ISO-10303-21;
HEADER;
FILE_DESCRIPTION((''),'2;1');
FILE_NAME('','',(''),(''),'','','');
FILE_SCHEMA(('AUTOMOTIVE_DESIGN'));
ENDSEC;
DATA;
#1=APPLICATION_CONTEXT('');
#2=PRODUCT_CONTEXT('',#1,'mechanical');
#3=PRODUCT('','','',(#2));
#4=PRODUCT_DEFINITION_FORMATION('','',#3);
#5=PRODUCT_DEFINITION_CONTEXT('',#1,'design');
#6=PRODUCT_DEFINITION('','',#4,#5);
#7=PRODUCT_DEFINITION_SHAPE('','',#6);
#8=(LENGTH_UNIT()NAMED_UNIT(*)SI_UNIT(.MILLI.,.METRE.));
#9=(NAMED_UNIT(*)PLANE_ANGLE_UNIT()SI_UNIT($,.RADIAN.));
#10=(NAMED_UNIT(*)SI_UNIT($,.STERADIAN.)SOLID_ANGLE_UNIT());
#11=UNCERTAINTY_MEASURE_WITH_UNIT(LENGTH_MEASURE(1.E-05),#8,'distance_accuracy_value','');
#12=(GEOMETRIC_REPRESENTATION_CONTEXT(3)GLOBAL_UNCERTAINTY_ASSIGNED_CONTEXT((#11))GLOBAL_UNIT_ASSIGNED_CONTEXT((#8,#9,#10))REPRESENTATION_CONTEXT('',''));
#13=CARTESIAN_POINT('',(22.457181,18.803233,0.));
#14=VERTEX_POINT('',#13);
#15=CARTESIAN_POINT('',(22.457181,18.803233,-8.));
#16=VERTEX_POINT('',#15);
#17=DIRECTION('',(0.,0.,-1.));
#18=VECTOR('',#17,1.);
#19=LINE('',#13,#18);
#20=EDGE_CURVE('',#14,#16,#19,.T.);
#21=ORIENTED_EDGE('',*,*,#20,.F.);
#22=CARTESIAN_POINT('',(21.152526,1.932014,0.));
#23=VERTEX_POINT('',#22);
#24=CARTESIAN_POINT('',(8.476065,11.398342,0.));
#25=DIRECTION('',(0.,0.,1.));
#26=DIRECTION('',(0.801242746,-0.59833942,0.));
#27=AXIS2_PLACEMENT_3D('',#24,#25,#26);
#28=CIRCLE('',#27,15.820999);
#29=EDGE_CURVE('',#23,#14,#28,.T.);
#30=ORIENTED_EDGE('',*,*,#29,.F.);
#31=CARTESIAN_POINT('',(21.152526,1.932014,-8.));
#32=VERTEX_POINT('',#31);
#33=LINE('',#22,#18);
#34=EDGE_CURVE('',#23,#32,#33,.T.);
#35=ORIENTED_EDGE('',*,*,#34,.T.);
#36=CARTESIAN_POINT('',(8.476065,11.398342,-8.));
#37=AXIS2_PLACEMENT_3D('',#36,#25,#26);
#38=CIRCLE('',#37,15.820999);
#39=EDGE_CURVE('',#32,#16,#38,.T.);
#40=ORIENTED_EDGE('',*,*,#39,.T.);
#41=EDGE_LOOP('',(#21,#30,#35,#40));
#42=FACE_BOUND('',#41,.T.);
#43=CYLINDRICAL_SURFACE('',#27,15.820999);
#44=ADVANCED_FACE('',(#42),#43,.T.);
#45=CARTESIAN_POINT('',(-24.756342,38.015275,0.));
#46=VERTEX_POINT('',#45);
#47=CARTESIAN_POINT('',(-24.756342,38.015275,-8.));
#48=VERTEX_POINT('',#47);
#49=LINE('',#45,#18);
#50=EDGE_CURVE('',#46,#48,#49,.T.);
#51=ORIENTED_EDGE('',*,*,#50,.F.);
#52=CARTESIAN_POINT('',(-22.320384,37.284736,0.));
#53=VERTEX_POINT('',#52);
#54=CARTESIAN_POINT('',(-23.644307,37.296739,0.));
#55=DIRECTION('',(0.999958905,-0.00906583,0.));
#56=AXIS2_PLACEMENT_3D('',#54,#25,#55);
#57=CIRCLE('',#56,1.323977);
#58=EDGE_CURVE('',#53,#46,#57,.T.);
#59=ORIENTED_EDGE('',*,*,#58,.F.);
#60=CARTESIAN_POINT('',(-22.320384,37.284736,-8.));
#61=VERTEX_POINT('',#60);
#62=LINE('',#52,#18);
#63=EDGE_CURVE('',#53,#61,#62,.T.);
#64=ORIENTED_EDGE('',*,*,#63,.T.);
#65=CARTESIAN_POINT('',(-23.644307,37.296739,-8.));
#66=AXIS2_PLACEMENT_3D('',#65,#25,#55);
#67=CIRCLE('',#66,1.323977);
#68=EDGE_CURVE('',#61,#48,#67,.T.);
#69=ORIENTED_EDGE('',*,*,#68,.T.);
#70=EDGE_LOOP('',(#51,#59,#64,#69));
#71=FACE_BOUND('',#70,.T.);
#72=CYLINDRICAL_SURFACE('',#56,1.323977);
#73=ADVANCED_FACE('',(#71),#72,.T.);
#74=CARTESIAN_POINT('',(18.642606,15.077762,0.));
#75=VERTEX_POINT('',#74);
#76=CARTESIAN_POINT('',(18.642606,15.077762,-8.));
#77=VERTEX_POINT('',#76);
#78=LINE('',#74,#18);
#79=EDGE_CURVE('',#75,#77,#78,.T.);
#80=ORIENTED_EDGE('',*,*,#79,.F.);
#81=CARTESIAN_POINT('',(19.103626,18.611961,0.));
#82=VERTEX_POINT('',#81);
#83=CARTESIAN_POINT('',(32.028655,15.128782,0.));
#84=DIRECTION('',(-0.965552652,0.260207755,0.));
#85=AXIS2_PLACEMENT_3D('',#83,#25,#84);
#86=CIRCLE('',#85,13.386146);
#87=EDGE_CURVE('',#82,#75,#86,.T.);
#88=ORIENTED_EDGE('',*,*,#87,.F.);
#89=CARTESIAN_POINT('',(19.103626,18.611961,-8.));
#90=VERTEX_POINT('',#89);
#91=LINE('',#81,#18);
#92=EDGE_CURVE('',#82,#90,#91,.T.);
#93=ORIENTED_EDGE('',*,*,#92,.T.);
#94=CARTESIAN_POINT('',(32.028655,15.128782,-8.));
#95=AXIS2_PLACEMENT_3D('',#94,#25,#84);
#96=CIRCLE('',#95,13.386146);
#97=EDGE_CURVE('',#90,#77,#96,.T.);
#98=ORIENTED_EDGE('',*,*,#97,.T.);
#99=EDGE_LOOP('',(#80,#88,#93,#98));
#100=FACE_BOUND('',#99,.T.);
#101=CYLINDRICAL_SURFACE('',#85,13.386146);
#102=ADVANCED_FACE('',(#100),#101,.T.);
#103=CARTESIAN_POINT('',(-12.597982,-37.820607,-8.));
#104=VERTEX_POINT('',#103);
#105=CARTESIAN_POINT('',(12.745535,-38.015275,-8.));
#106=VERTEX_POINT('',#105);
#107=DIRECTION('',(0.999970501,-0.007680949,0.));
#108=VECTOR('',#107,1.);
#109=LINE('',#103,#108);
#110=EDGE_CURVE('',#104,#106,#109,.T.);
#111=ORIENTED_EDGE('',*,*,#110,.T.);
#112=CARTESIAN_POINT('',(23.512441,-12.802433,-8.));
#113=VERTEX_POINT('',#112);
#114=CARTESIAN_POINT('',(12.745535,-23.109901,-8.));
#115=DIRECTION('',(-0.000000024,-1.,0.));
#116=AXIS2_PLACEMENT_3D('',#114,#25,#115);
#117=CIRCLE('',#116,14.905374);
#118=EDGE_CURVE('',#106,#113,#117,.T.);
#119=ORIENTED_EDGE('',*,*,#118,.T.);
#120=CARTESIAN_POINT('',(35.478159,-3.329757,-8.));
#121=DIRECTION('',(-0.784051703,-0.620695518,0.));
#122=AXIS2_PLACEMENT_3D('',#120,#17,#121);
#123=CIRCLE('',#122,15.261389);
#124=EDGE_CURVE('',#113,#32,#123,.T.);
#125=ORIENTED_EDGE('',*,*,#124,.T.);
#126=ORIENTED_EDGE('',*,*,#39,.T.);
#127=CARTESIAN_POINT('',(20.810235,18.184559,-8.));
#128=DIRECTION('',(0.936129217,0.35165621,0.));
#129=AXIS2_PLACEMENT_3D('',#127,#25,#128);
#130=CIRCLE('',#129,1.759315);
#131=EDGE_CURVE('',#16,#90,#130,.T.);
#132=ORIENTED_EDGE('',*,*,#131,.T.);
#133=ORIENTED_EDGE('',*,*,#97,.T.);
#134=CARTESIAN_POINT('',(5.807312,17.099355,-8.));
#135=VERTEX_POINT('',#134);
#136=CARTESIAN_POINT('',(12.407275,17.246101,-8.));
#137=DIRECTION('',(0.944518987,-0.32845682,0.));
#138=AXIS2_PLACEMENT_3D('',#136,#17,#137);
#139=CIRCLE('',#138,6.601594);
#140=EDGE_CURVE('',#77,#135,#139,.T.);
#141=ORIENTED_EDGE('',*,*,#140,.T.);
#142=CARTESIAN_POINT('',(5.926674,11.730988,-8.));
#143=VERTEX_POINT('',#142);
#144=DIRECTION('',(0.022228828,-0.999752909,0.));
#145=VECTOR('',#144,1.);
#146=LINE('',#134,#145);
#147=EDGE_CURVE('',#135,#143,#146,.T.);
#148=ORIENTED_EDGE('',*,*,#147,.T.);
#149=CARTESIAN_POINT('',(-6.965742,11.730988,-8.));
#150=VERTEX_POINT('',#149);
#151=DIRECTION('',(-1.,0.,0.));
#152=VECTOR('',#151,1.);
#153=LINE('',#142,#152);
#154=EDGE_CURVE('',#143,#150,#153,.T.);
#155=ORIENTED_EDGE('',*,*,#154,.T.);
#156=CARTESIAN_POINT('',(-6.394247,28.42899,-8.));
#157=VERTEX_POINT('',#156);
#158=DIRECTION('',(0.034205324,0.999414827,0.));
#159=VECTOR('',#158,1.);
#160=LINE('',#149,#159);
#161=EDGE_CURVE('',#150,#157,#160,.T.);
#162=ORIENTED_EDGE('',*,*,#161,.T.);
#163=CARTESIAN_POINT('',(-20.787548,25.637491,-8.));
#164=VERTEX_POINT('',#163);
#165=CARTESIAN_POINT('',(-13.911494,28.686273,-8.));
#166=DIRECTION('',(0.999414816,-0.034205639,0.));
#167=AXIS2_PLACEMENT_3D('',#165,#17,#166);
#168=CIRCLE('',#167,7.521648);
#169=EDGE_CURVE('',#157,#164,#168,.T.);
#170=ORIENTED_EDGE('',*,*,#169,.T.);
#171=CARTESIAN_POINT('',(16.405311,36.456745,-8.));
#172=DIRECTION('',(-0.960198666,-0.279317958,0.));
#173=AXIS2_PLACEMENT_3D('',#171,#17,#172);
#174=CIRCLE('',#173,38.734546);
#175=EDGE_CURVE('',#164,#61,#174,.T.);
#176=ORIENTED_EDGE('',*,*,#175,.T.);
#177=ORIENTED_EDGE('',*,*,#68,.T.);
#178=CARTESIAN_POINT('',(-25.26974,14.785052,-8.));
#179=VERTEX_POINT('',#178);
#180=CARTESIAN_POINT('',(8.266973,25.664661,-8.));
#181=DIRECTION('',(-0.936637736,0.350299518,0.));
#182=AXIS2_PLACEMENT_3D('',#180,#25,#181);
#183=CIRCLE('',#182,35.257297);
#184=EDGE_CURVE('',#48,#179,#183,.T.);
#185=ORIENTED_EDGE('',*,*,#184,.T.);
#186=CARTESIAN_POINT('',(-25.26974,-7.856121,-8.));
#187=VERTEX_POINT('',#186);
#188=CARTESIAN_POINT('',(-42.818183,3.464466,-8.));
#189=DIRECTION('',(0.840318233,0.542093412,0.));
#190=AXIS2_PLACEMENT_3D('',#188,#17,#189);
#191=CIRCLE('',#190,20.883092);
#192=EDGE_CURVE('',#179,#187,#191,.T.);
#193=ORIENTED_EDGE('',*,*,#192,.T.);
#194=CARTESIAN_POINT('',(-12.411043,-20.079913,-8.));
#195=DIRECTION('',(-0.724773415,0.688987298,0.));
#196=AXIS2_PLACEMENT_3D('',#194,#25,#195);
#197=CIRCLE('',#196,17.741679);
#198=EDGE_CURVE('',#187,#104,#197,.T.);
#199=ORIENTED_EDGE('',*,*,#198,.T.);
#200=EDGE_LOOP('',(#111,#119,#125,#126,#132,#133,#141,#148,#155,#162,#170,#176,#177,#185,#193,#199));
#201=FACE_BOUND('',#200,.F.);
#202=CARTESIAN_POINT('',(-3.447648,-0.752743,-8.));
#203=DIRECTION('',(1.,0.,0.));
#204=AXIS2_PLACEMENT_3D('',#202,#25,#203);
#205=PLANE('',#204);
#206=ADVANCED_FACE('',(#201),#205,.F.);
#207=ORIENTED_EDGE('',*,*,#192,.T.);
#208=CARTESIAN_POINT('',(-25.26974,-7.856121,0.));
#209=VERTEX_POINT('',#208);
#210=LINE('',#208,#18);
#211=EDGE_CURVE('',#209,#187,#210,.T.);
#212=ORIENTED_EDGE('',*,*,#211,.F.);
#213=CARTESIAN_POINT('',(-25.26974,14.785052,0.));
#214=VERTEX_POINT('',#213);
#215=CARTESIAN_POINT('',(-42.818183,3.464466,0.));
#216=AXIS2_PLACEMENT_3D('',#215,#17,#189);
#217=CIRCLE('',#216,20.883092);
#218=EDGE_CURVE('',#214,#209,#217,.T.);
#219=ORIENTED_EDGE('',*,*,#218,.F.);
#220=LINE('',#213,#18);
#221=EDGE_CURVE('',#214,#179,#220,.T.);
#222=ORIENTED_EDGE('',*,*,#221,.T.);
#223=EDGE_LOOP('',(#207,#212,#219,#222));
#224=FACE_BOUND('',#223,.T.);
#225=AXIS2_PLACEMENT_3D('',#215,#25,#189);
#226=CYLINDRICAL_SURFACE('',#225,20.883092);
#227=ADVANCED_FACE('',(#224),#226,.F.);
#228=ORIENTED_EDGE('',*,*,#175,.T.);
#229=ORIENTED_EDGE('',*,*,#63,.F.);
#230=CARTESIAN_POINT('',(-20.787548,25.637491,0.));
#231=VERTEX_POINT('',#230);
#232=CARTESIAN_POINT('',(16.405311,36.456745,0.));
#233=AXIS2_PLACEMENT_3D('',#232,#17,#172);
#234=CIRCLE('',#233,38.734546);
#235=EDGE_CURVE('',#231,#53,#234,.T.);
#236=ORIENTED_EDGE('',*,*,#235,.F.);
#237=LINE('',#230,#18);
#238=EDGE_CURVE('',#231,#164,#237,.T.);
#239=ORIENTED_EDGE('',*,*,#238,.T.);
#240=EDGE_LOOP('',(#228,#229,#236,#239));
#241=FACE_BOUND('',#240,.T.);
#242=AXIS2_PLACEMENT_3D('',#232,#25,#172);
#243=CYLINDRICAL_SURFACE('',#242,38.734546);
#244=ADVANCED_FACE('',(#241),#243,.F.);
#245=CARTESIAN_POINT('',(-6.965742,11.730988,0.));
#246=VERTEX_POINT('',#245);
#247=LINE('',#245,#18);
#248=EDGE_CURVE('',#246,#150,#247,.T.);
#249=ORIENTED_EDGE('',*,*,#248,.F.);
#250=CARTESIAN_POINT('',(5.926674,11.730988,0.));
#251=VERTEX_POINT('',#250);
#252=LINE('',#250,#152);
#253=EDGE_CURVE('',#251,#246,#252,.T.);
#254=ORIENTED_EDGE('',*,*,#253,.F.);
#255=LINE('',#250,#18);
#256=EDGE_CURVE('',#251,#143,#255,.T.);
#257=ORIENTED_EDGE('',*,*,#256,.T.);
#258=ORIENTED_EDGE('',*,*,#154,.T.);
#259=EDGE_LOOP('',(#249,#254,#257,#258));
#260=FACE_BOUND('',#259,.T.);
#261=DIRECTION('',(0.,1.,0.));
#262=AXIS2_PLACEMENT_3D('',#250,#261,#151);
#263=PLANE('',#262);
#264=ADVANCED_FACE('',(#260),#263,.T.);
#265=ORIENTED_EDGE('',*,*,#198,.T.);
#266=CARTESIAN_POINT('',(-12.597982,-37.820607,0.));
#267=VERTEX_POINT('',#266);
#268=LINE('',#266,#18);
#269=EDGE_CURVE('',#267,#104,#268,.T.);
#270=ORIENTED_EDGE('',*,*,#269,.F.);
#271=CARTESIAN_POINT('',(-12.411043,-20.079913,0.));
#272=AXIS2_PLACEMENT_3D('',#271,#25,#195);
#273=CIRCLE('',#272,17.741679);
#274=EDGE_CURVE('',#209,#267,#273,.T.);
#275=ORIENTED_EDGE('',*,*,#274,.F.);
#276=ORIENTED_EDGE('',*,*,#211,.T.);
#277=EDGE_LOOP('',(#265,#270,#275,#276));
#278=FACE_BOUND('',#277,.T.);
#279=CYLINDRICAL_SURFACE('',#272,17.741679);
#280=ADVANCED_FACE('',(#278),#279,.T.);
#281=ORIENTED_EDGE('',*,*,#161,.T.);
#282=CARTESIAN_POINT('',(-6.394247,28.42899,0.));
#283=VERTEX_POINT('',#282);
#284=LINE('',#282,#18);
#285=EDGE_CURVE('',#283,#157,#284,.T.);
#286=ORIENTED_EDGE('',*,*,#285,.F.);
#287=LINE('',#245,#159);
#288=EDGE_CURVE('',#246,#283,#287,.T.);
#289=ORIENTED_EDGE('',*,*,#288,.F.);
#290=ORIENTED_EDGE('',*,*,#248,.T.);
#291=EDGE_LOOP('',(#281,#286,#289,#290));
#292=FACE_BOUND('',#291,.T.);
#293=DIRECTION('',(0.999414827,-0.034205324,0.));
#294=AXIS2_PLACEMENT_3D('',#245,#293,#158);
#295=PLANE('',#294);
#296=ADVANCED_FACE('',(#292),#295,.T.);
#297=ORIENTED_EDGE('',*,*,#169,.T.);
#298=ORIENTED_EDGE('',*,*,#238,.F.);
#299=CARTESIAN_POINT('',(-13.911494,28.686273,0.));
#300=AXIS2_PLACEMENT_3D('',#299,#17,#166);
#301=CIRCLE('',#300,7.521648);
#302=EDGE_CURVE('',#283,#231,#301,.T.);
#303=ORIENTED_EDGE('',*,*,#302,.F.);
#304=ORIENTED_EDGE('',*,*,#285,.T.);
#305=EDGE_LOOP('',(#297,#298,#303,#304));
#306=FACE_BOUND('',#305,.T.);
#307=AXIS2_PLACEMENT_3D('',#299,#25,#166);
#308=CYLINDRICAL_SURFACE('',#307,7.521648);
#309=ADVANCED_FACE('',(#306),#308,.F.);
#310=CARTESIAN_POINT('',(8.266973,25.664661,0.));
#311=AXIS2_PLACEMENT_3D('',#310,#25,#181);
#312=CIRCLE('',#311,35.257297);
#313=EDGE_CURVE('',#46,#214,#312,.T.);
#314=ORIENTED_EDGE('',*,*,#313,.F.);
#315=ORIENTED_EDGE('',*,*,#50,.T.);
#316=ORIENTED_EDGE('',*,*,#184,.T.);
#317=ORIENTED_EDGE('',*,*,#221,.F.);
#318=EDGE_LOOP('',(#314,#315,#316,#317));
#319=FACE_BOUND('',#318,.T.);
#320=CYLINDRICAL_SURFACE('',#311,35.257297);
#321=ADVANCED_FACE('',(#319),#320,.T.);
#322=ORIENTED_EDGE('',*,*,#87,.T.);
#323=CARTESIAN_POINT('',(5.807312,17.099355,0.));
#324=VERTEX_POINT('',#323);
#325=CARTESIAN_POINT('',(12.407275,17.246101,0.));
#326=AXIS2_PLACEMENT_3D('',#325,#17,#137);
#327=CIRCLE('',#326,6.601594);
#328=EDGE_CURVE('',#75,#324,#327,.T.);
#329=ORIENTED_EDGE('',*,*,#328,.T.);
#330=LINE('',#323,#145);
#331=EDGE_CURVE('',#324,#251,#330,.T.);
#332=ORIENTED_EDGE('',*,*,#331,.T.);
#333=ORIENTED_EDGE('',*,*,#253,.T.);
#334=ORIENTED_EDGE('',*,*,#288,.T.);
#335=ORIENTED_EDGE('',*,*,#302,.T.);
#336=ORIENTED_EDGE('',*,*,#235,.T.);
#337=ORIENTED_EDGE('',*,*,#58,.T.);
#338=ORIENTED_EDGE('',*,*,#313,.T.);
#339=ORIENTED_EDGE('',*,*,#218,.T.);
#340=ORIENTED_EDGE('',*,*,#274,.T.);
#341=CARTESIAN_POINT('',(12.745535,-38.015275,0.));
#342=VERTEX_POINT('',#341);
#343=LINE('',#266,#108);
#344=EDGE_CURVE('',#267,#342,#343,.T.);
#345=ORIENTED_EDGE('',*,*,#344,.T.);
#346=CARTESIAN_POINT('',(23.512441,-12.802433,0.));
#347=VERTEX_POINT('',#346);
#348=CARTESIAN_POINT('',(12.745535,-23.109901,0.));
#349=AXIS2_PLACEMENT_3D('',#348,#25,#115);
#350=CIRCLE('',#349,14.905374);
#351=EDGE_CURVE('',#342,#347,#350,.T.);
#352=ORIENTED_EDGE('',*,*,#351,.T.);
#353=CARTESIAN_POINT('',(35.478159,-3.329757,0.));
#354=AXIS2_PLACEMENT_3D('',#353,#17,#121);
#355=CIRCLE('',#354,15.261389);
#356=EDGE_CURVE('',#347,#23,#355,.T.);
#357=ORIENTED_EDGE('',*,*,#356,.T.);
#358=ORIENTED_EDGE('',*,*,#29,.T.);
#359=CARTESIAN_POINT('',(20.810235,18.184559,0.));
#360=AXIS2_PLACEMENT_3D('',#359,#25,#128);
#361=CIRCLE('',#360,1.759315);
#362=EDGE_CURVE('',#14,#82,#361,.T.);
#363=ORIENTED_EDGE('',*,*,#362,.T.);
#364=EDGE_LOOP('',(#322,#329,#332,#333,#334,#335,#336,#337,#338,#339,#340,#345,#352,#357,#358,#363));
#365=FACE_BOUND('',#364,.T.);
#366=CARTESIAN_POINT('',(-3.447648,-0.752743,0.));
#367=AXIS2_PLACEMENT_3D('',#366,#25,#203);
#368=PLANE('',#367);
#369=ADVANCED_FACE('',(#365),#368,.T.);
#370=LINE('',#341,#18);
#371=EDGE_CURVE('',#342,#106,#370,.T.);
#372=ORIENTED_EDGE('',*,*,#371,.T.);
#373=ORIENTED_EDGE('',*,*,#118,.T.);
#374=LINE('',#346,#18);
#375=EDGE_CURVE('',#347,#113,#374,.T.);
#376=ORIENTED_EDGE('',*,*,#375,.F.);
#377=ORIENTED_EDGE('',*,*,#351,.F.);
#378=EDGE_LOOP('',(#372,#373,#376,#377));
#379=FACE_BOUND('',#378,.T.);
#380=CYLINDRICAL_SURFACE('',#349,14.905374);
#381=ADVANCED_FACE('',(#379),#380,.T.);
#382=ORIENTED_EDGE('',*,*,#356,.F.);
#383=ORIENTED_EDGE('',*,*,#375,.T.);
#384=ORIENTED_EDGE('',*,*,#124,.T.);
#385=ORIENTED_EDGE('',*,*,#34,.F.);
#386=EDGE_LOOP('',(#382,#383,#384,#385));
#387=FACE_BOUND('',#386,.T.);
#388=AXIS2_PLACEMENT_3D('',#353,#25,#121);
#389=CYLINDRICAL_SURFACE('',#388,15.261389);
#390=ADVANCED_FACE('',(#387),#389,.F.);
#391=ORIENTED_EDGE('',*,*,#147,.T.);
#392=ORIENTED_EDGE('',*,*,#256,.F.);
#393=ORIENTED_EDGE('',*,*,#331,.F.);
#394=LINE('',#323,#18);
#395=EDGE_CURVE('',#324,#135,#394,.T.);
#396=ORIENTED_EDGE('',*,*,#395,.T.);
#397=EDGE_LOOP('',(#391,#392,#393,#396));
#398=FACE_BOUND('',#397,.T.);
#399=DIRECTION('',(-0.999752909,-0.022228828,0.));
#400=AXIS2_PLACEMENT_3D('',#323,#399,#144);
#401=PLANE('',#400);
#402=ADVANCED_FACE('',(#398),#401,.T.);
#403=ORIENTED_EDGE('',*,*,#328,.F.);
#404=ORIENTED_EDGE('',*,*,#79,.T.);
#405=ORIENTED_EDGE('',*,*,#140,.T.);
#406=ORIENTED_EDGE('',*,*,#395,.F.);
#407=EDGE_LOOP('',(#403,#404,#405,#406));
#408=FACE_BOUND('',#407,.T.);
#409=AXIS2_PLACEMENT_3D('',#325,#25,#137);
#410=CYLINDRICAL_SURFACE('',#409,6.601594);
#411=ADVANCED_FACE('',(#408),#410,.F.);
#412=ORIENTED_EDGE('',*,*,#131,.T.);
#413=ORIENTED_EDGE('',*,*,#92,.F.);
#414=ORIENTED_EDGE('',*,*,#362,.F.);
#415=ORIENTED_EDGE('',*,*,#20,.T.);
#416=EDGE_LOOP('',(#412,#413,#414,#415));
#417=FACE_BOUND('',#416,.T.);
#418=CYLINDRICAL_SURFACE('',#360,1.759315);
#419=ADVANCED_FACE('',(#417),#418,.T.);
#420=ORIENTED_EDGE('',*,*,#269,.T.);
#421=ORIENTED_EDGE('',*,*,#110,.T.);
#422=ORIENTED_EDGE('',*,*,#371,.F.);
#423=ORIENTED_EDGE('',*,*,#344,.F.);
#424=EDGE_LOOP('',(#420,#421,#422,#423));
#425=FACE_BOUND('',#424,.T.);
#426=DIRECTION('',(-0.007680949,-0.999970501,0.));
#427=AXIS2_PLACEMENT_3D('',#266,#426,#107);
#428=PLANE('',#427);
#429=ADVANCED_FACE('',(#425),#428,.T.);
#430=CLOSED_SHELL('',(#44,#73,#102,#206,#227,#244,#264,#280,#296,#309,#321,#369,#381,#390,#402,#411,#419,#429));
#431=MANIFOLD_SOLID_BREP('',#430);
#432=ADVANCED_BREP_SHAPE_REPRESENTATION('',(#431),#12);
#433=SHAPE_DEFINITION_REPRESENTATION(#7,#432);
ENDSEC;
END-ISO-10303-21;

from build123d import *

# Parameters (mm, degrees)
F1_DEPTH = 8


with BuildPart() as f1:
    # F0 (on Top) → F1 (new body)
    with BuildSketch(Plane.XY):
        with BuildLine():
            ThreePointArc((-22.320384, 37.284736), (-23.263984, 38.564915), (-24.756342, 38.015275))
            ThreePointArc((-24.756342, 38.015275), (-26.981717, 26.443672), (-25.26974, 14.785052))
            ThreePointArc((-25.26974, 14.785052), (-21.935091, 3.464465), (-25.26974, -7.856121))
            ThreePointArc((-25.26974, -7.856121), (-28.751629, -26.990225), (-12.597982, -37.820607))
            Line((-12.597982, -37.820607), (12.745535, -38.015275))
            ThreePointArc((12.745535, -38.015275), (26.453322, -28.963682), (23.512441, -12.802433))
            ThreePointArc((23.512441, -12.802433), (20.408827, -5.743308), (21.152526, 1.932014))
            ThreePointArc((21.152526, 1.932014), (24.249971, 10.178542), (22.457181, 18.803233))
            ThreePointArc((22.457181, 18.803233), (20.710054, 19.941019), (19.103626, 18.611961))
            ThreePointArc((19.103626, 18.611961), (18.754965, 16.860274), (18.642606, 15.077762))
            ThreePointArc((18.642606, 15.077762), (11.380168, 10.724897), (5.807312, 17.099355))
            Line((5.807312, 17.099355), (5.926674, 11.730988))
            Line((5.926674, 11.730988), (-6.965742, 11.730988))
            Line((-6.965742, 11.730988), (-6.394247, 28.42899))
            ThreePointArc((-6.394247, 28.42899), (-12.479398, 21.302216), (-20.787548, 25.637491))
            ThreePointArc((-20.787548, 25.637491), (-21.998091, 31.402664), (-22.320384, 37.284736))
        make_face()
    extrude(amount=-F1_DEPTH)


solid = f1.part
